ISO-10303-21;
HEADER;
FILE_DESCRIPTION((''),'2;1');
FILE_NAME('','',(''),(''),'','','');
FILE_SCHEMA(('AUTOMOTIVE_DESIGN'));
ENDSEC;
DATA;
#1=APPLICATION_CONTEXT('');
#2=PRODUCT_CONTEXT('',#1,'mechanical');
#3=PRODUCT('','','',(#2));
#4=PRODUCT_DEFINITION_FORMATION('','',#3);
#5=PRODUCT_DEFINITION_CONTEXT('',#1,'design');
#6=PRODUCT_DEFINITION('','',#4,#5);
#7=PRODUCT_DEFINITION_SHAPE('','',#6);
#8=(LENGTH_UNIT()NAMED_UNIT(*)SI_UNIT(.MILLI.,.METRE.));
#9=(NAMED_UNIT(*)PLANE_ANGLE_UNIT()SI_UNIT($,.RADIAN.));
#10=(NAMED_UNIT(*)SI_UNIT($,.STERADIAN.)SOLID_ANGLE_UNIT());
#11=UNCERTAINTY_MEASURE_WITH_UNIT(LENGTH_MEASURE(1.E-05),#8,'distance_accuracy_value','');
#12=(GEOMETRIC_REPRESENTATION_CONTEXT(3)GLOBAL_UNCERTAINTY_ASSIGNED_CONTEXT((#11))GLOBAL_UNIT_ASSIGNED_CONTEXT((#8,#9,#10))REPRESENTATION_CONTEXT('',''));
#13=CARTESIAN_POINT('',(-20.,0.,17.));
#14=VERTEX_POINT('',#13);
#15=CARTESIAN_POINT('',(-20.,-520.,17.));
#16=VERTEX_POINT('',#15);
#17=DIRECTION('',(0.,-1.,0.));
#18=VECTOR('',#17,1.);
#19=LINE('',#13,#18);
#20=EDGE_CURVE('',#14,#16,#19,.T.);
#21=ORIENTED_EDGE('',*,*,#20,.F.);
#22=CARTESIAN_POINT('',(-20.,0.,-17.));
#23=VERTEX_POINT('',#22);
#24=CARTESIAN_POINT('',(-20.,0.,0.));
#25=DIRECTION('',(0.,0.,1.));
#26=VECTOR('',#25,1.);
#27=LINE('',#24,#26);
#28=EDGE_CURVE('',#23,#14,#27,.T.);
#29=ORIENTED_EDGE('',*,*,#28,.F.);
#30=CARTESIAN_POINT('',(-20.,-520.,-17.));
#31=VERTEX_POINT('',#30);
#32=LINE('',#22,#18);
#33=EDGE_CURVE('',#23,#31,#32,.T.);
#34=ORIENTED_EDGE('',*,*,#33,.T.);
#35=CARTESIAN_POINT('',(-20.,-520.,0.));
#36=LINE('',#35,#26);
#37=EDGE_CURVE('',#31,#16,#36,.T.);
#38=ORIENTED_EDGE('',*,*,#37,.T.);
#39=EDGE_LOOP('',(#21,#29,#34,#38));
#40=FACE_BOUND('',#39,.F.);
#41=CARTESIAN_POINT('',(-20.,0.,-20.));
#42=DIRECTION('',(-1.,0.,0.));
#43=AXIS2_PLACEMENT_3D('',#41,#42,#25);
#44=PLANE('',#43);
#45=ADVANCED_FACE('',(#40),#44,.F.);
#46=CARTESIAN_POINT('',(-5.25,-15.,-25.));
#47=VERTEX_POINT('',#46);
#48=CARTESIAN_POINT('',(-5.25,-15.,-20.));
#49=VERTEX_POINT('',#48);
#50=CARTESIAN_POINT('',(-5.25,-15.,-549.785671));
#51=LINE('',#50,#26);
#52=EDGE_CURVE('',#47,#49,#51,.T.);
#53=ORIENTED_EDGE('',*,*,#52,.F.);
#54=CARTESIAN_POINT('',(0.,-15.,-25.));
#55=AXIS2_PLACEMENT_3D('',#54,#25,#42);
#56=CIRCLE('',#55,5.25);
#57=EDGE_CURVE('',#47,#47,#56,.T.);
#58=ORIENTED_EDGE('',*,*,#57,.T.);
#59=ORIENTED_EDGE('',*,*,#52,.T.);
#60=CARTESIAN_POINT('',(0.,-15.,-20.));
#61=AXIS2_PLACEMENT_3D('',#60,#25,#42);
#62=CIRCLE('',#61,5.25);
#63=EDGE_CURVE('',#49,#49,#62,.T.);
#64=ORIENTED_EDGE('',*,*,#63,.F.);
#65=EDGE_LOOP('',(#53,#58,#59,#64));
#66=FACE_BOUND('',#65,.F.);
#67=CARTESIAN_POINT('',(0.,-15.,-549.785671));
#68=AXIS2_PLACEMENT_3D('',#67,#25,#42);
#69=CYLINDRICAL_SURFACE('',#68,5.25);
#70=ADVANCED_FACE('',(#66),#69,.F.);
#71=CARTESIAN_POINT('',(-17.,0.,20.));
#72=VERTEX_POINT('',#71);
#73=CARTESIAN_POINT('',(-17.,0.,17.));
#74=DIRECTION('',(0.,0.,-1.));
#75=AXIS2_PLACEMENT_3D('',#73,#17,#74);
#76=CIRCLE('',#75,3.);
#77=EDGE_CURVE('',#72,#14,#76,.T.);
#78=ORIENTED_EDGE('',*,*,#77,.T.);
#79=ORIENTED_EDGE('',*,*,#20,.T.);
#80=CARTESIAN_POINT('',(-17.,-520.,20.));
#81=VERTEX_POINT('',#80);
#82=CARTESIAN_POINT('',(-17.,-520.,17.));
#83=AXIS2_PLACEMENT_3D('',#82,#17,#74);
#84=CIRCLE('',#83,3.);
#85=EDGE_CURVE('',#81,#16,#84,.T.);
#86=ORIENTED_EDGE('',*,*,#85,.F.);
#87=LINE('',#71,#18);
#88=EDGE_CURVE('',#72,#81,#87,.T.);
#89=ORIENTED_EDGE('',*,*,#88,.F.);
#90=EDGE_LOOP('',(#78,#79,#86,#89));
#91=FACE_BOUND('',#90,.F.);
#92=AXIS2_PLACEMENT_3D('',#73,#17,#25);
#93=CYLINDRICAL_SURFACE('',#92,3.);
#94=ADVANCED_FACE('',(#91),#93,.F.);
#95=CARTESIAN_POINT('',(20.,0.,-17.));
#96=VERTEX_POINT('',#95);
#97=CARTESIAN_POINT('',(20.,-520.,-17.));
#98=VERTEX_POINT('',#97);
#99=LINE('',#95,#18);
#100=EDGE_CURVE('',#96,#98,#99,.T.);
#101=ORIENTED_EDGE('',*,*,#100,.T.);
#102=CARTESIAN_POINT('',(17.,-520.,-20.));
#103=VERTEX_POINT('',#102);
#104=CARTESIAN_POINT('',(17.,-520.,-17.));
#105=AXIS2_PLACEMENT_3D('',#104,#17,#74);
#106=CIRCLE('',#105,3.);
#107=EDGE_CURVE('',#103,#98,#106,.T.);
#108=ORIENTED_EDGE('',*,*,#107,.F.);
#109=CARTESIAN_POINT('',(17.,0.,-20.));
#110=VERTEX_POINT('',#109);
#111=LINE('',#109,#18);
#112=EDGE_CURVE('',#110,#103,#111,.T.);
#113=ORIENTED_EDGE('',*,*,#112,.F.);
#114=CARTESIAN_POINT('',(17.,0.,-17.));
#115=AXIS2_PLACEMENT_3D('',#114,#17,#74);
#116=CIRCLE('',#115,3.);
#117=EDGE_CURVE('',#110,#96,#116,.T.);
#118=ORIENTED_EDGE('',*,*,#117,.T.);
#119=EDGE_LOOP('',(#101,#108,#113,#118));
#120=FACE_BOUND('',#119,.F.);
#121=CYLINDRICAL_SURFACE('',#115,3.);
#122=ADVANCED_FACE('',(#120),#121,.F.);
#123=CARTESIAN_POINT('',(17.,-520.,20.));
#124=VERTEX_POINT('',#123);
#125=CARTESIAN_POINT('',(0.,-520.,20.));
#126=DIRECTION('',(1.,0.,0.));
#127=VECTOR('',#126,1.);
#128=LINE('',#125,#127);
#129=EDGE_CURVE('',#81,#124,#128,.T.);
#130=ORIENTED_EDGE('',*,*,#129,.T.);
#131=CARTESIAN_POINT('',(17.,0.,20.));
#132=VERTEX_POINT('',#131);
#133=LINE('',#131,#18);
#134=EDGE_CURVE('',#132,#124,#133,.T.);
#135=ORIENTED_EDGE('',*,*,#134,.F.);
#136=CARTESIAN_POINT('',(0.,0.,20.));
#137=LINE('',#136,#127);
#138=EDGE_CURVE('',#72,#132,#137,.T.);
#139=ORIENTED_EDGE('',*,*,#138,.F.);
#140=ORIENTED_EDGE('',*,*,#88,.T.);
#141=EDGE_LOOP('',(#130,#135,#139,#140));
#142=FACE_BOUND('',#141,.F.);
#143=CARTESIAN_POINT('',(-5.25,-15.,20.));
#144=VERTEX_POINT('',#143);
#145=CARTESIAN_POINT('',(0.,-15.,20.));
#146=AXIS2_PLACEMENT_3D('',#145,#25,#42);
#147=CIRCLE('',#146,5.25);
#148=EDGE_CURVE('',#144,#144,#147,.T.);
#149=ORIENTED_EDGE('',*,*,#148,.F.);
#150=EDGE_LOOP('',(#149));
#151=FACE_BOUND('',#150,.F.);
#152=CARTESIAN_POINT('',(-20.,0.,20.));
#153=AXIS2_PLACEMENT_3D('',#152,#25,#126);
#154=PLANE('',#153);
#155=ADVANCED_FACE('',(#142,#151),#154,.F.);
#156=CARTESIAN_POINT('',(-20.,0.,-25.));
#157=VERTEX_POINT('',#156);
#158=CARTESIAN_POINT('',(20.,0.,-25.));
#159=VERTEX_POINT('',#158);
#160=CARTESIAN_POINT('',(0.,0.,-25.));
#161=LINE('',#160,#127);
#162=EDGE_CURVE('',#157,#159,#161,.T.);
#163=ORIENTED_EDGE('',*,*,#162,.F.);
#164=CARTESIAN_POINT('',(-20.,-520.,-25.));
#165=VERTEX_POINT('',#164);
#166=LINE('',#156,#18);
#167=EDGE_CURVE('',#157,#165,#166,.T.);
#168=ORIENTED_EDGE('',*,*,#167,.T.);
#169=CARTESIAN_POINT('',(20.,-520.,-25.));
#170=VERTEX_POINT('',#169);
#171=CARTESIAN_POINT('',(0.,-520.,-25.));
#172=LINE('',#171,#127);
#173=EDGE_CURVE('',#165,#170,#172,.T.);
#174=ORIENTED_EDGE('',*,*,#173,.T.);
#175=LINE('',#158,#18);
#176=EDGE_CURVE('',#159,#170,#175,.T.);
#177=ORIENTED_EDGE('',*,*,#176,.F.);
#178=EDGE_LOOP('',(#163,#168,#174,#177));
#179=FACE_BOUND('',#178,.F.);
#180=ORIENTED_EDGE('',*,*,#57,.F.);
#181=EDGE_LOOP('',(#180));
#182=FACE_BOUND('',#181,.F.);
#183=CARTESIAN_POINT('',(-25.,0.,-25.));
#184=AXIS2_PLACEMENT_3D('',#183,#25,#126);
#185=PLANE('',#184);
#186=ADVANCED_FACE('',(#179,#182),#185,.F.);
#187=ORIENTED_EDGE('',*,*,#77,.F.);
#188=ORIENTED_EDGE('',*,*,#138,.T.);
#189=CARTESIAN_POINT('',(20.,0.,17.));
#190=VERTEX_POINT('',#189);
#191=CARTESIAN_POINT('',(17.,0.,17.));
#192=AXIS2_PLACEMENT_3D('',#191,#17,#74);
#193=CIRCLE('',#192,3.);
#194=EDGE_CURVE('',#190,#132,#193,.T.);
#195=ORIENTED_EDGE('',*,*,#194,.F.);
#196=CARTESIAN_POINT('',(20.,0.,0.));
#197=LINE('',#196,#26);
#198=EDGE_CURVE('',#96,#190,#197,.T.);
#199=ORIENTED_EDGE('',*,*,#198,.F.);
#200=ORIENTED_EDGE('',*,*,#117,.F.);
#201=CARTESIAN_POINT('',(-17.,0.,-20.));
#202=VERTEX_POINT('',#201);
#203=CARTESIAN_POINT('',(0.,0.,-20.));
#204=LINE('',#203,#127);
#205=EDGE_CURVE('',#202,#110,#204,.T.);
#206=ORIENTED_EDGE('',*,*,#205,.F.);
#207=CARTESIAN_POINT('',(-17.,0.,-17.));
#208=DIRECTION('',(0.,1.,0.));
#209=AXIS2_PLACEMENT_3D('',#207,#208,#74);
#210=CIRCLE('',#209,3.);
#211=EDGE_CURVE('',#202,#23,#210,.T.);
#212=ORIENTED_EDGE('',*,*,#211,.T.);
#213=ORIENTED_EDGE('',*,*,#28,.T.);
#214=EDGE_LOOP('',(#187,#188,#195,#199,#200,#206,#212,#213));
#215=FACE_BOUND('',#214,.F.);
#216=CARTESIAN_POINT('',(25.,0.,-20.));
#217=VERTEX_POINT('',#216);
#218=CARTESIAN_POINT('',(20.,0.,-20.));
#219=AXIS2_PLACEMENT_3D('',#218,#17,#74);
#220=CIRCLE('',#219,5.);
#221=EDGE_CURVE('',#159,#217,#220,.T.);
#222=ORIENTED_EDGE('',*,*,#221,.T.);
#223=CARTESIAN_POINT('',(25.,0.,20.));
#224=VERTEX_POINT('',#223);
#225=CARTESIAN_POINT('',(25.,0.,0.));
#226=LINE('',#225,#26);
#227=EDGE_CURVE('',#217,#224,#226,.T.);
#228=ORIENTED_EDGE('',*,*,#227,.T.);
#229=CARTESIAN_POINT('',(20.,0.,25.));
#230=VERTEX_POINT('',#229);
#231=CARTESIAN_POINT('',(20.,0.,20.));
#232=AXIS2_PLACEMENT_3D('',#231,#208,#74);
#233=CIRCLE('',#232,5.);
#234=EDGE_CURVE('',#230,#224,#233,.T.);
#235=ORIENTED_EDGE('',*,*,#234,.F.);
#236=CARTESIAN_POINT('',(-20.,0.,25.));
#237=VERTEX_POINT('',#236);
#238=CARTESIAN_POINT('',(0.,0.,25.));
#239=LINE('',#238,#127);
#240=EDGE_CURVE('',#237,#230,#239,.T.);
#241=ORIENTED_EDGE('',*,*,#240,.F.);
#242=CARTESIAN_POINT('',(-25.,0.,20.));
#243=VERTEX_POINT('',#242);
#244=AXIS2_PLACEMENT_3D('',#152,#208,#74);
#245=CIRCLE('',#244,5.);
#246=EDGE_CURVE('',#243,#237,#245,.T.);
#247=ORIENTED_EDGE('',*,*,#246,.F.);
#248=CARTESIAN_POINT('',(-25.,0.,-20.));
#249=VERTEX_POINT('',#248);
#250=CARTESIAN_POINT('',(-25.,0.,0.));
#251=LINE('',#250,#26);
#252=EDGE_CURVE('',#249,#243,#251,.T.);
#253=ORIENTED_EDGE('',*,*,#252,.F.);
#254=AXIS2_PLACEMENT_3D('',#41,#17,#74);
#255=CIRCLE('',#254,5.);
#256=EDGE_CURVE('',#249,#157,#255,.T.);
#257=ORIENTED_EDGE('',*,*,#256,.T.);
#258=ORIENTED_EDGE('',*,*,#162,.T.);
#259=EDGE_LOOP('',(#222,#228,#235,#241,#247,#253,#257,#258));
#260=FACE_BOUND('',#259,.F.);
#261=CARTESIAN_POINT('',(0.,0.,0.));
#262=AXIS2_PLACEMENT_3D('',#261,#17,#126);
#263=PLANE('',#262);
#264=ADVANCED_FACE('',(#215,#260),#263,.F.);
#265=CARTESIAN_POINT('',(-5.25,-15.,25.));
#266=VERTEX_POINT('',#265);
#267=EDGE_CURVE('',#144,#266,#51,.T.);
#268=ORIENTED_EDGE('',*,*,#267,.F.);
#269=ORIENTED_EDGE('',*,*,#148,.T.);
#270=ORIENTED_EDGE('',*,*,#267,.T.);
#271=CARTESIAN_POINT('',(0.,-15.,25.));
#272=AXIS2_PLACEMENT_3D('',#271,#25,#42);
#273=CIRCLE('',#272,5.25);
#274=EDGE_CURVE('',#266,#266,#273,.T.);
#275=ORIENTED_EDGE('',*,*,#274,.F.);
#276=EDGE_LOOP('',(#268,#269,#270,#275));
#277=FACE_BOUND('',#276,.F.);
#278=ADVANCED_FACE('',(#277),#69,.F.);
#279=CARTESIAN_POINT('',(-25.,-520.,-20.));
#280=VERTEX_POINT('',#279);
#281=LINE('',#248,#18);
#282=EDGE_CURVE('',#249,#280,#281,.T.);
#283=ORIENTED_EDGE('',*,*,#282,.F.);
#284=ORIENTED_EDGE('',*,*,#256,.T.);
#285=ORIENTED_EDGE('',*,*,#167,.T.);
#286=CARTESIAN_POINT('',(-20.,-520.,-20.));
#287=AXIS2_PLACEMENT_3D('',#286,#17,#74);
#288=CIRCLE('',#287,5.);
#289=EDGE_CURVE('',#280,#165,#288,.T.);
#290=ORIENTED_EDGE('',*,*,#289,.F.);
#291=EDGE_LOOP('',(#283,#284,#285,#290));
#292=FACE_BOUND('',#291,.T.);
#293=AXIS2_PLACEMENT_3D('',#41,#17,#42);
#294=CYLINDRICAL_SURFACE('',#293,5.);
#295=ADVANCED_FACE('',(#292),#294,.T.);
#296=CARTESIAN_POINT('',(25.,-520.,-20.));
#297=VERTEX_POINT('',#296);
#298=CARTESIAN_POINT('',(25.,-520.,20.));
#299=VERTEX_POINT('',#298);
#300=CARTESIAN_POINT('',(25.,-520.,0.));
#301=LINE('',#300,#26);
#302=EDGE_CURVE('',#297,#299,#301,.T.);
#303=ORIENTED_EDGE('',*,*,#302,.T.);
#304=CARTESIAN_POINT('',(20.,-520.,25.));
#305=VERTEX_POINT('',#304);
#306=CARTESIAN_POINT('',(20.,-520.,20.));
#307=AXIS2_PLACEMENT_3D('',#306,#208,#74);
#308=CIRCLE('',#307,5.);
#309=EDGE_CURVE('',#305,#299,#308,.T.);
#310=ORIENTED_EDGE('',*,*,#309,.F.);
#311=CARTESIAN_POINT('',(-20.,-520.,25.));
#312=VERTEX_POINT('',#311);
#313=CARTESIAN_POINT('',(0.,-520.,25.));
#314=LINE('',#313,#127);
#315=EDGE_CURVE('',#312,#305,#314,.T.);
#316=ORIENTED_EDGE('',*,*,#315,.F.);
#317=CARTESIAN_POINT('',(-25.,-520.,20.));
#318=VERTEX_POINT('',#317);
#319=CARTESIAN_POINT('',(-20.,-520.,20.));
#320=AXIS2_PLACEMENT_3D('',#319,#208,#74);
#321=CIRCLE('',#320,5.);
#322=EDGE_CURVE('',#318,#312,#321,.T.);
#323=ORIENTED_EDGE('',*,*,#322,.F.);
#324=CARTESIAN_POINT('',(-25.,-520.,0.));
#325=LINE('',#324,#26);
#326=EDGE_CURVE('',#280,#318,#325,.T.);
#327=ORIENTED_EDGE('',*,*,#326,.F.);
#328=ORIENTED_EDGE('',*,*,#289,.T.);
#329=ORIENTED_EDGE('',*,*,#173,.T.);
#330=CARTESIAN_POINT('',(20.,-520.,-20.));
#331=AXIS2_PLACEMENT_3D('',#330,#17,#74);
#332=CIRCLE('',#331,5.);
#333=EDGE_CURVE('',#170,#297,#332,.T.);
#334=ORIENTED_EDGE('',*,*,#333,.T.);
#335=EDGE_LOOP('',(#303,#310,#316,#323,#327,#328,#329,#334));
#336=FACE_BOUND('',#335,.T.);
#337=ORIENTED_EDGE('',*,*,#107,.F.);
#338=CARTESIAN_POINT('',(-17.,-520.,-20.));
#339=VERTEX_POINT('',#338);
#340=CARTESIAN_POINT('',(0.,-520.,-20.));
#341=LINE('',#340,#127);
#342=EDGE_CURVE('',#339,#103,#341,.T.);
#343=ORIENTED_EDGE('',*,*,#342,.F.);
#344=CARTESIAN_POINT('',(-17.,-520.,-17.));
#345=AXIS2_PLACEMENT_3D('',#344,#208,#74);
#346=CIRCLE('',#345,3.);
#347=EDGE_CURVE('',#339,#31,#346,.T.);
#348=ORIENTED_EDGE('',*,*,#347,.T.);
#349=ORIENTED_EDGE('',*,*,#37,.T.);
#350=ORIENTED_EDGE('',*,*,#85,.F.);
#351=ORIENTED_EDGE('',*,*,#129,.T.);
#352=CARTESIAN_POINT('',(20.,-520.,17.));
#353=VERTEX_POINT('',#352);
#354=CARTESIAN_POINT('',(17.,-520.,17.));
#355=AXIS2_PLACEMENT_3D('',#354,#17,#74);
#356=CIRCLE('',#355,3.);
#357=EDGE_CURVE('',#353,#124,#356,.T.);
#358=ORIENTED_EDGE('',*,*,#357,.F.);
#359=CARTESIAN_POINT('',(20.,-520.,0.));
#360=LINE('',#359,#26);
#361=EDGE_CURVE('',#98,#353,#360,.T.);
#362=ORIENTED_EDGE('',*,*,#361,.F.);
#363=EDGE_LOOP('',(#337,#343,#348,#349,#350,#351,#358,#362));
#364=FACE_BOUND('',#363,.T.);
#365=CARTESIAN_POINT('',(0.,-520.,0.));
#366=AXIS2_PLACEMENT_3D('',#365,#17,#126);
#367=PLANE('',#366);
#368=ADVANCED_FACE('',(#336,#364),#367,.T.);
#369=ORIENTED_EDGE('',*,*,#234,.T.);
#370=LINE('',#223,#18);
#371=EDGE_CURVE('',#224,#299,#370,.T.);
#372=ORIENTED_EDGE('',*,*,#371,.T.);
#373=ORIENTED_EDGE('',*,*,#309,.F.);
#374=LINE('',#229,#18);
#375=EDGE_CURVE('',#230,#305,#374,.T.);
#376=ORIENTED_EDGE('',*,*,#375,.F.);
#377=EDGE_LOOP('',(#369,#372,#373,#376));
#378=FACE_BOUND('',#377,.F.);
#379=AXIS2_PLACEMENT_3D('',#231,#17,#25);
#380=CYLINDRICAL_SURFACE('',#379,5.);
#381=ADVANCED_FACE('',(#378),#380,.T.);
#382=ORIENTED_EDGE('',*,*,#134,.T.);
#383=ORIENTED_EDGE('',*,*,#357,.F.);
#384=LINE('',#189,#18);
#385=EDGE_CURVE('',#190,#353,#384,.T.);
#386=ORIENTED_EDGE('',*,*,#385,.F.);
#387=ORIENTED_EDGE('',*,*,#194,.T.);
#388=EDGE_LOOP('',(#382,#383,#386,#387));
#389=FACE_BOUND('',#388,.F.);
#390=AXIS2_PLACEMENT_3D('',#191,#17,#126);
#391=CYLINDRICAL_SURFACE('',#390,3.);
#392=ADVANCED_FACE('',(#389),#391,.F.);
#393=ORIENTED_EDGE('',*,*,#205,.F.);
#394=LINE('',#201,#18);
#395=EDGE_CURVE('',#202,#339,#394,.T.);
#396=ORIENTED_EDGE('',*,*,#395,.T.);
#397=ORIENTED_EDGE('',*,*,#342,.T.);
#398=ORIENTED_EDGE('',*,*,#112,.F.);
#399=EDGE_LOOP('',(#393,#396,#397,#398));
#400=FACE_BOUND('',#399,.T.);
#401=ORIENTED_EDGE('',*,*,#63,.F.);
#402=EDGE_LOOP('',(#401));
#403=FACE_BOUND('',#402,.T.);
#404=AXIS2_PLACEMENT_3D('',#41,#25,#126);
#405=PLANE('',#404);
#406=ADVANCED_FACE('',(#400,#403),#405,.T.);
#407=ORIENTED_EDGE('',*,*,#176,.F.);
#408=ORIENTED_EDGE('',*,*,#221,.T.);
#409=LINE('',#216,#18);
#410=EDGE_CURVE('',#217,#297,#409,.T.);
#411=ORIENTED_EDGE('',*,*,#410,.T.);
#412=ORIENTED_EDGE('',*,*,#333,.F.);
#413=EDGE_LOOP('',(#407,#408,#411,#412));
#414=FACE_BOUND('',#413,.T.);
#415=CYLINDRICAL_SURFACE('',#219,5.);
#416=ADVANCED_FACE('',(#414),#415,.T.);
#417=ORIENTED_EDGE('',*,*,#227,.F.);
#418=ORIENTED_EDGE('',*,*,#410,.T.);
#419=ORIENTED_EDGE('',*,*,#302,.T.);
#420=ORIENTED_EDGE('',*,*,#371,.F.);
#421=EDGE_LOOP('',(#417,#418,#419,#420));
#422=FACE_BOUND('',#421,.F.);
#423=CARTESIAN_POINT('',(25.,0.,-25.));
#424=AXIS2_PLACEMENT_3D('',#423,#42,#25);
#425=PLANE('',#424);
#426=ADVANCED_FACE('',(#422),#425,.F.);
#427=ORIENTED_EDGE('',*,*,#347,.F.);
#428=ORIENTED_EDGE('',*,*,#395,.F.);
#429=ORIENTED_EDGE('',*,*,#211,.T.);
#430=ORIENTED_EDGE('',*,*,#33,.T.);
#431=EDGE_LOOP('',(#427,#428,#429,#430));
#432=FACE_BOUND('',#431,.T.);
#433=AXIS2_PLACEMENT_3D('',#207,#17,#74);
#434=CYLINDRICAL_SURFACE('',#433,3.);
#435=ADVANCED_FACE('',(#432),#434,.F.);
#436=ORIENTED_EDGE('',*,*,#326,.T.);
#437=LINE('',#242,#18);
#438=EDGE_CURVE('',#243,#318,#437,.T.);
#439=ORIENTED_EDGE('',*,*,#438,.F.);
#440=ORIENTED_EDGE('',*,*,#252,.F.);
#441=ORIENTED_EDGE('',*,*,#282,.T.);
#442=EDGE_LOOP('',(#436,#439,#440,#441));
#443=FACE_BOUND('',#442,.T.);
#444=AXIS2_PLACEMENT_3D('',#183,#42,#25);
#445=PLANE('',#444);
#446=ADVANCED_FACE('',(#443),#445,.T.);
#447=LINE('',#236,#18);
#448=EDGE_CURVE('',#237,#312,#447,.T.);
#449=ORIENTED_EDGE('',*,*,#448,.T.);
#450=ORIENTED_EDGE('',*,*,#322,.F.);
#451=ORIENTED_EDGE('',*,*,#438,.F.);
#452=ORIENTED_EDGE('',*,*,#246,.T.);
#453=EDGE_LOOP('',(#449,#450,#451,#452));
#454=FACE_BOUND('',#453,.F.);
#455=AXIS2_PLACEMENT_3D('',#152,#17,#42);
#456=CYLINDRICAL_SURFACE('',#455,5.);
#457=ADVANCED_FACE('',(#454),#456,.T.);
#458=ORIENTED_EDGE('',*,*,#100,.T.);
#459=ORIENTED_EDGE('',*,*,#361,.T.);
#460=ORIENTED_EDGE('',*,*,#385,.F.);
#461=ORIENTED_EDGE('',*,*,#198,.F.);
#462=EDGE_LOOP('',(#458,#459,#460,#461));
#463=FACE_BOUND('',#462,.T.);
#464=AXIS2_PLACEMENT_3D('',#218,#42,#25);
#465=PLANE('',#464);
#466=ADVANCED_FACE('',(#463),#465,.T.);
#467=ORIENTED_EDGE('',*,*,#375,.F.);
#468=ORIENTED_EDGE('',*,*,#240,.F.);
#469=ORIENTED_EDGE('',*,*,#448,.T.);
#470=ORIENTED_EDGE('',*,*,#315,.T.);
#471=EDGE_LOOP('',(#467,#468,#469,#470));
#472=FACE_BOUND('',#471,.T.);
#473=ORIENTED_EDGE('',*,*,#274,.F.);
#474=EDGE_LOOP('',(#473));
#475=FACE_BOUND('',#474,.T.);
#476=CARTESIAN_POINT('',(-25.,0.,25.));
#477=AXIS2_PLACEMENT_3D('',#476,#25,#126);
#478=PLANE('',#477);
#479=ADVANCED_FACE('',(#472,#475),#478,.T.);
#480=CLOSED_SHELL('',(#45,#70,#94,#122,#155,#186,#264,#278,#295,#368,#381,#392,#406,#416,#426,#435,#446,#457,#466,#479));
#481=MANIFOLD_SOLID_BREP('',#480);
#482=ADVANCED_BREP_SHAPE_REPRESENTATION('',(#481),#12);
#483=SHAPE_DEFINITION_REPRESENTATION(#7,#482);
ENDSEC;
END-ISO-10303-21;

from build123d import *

# Parameters (mm, degrees)
F0_W     = 50
F0_H     = 50
F0_W_2   = 40
F0_H_2   = 40
F1_DEPTH = 520
F2_R     = 5
F3_R     = 3
F5_D     = 10.5


with BuildPart() as f1:
    # F0 (on Front) → F1 (new body)
    with BuildSketch(Plane.XZ):
        Rectangle(F0_W, F0_H)
        Rectangle(F0_W_2, F0_H_2, mode=Mode.SUBTRACT)
    extrude(amount=F1_DEPTH)

    # F2
    f2_edges = [f1.edges().sort_by_distance(p)[0] for p in [
        (25, -260, 25),
        (-25, -260, 25),
        (25, -260, -25),
        (-25, -260, -25),
    ]]
    fillet(f2_edges, radius=F2_R)

    # F3
    f3_edges = [f1.edges().sort_by_distance(p)[0] for p in [
        (-20, -260, 20),
        (20, -260, 20),
        (20, -260, -20),
        (-20, -260, -20),
    ]]
    fillet(f3_edges, radius=F3_R)

    # F5 (through all)
    with Locations(Plane(origin=(0, 0, -25), x_dir=(1, 0, 0), z_dir=(0, 0, -1))):
        with Locations((0, 15)):
            Hole(F5_D / 2)


solid = f1.part
